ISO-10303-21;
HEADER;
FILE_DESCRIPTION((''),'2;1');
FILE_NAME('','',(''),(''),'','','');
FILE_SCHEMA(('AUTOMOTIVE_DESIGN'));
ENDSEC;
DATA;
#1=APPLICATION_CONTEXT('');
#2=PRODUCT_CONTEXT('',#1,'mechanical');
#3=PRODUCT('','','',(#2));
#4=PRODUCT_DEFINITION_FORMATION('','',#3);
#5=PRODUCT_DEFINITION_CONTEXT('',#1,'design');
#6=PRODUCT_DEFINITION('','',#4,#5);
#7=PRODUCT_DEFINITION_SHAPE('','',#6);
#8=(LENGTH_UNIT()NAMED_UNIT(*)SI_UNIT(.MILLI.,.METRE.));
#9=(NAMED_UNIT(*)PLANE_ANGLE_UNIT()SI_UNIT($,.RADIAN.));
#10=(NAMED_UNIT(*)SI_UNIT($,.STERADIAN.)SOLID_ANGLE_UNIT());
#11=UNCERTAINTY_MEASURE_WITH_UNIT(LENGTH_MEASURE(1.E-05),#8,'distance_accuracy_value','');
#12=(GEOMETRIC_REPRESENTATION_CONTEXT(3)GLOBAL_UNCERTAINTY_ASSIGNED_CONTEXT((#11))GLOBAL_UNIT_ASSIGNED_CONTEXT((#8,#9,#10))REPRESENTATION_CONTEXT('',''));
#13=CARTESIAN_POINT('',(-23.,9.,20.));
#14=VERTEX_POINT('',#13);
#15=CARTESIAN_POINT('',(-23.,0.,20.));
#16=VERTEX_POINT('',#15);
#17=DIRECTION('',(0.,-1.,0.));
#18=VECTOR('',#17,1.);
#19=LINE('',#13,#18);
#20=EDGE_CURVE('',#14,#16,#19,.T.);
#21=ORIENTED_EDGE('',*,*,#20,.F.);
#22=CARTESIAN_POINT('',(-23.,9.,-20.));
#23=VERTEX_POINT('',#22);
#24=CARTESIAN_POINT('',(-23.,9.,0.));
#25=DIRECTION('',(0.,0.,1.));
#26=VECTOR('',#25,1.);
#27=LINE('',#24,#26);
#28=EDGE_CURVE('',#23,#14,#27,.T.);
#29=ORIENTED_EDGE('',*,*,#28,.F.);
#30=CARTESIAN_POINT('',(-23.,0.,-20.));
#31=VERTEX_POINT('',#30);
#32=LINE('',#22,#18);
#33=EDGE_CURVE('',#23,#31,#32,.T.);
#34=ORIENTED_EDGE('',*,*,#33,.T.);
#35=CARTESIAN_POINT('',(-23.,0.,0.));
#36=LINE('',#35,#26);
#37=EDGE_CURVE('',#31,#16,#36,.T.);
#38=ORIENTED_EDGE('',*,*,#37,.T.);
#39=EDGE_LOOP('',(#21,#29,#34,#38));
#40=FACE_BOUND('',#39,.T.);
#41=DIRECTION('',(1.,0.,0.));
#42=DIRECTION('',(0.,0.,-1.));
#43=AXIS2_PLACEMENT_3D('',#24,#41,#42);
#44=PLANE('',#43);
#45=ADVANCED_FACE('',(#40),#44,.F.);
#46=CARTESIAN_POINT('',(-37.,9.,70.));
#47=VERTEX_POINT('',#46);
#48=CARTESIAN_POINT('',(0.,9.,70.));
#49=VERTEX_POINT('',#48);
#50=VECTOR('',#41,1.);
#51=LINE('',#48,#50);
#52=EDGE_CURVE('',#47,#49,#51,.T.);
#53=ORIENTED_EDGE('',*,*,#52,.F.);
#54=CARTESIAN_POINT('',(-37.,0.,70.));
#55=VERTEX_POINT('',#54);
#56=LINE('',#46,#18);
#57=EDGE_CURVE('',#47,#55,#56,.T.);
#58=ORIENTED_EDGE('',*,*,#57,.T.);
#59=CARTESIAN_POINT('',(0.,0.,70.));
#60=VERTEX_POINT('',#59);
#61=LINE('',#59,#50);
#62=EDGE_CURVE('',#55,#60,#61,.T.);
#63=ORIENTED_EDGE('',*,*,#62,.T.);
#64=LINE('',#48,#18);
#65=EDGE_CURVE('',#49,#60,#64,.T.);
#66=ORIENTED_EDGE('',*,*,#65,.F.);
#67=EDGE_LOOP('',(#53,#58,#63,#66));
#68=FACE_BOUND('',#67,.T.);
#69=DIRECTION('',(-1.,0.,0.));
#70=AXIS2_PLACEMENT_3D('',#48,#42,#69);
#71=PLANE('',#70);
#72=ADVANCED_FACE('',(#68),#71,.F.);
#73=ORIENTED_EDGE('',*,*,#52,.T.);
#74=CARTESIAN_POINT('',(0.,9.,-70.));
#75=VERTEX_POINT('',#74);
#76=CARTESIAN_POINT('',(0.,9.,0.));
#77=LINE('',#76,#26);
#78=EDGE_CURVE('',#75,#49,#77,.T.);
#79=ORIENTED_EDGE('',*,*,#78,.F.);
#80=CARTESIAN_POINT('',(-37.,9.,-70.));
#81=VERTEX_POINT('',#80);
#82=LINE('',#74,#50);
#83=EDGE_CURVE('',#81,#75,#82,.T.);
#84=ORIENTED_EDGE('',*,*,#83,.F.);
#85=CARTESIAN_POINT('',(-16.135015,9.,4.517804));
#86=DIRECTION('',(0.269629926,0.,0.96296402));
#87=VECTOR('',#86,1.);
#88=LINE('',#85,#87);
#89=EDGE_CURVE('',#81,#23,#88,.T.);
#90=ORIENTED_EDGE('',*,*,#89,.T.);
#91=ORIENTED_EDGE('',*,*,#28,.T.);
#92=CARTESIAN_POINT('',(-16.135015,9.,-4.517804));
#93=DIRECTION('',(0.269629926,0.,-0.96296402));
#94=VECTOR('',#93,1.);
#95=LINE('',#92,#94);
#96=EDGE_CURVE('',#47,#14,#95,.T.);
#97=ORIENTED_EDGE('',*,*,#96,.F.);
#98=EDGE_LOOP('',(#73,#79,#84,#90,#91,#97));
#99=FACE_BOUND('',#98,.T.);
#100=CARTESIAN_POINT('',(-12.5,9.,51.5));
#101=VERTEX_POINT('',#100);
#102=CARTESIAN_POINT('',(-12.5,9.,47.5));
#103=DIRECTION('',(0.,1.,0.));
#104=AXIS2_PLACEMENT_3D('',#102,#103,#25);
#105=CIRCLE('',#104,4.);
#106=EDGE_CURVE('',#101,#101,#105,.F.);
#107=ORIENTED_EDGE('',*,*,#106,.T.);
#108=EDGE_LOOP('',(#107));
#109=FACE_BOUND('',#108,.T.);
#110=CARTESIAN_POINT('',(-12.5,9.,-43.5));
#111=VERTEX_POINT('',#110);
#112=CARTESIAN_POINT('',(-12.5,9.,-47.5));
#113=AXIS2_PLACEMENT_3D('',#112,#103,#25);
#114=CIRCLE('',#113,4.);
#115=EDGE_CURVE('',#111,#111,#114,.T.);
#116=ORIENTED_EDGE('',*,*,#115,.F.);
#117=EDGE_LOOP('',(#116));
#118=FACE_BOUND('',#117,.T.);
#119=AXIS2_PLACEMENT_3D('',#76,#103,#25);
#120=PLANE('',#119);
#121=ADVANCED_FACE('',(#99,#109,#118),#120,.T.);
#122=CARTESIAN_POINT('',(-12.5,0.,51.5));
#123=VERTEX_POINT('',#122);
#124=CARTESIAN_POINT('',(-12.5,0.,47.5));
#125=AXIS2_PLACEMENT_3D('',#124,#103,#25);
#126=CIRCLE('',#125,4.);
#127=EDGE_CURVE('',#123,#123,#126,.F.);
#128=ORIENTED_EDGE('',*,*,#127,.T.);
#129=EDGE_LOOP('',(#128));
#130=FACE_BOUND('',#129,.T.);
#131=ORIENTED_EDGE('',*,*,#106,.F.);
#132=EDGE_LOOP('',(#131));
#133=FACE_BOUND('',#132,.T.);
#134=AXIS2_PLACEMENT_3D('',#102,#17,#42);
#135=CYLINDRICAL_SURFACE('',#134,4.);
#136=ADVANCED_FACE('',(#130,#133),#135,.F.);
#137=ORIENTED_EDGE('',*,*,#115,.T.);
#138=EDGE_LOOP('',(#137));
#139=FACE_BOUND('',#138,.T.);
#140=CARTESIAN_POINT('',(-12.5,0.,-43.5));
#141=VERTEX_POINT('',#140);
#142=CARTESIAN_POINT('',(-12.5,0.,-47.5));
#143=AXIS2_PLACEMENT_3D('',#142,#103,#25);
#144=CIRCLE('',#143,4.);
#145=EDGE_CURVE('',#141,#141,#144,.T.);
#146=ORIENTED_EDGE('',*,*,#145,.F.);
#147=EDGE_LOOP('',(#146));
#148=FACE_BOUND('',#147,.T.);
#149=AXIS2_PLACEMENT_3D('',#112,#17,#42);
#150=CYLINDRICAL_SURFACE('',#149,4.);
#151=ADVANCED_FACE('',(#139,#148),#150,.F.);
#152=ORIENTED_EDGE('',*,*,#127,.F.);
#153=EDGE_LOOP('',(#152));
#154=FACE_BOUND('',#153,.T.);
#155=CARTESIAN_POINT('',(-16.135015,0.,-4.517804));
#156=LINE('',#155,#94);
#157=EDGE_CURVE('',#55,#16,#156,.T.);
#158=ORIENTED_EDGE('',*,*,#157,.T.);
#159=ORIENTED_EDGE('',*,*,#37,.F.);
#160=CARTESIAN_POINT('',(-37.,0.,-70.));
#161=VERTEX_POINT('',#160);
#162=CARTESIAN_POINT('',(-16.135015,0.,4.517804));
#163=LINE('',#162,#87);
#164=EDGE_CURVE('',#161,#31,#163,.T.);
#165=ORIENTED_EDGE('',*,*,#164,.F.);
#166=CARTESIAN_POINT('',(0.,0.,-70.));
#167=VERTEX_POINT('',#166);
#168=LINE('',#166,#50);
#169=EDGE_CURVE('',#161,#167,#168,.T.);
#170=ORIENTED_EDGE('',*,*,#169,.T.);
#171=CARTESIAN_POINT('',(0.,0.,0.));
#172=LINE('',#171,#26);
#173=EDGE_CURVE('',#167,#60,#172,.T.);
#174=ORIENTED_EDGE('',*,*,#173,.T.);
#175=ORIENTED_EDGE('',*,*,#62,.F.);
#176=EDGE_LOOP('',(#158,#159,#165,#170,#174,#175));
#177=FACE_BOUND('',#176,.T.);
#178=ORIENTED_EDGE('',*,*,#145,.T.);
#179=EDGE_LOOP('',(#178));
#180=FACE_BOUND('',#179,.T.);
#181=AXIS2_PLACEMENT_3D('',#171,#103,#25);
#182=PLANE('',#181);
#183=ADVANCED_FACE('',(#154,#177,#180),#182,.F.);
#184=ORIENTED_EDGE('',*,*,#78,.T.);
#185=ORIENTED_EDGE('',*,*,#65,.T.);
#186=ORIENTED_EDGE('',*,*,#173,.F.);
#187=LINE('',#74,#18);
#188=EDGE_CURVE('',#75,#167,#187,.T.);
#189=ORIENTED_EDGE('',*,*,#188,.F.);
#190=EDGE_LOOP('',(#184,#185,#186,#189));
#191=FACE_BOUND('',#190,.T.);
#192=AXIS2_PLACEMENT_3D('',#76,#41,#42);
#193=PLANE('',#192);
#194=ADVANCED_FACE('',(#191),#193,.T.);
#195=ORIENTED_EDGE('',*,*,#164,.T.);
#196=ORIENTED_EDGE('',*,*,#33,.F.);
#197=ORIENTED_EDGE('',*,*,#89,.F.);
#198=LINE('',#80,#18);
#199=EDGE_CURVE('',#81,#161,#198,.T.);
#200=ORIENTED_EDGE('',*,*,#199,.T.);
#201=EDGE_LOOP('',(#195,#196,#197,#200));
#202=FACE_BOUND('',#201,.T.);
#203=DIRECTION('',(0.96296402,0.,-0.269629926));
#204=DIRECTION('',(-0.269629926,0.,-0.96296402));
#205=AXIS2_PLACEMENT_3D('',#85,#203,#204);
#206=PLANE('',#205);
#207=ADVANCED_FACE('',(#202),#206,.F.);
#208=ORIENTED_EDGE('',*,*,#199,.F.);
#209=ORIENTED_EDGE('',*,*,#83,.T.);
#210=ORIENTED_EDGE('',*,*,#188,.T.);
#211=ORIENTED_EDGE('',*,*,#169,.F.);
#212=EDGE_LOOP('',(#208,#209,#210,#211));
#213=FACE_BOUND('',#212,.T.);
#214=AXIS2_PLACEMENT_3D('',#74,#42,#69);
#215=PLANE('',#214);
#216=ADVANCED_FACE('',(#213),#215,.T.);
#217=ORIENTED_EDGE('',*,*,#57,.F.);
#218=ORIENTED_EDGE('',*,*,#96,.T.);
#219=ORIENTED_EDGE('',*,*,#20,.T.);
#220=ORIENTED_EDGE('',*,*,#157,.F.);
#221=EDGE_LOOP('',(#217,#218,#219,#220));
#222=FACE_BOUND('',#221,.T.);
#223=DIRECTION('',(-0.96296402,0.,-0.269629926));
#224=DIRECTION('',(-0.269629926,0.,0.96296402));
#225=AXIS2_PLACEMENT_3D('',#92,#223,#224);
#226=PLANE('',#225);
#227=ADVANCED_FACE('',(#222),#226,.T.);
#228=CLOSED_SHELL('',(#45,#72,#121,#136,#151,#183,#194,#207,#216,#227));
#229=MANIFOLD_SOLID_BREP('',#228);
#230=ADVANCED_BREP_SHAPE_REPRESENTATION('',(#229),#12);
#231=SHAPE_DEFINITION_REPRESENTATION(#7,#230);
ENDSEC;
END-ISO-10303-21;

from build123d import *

# Parameters (mm, degrees)
SKETCH1_R           = 4
BOSS_EXTRUDE1_DEPTH = 9


with BuildPart() as part:
    # Sketch1 → Boss-Extrude1 (new body)
    with BuildSketch(Plane(origin=(0, 0, 0), x_dir=(1, 0, 0), z_dir=(0, 1, 0))):
        Polygon((0, 70), (0, -70), (-37, -70), (-23, -20), (-23, 0), (-23, 20), (-37, 70), align=None)
        with Locations(Location((-12.5, 47.5, 0), (0, 0, 270))):
            Circle(SKETCH1_R, mode=Mode.SUBTRACT)
        with Locations(Location((-12.5, -47.5, 0), (0, 0, 270))):
            Circle(SKETCH1_R, mode=Mode.SUBTRACT)
    extrude(amount=BOSS_EXTRUDE1_DEPTH)


solid = part.part
